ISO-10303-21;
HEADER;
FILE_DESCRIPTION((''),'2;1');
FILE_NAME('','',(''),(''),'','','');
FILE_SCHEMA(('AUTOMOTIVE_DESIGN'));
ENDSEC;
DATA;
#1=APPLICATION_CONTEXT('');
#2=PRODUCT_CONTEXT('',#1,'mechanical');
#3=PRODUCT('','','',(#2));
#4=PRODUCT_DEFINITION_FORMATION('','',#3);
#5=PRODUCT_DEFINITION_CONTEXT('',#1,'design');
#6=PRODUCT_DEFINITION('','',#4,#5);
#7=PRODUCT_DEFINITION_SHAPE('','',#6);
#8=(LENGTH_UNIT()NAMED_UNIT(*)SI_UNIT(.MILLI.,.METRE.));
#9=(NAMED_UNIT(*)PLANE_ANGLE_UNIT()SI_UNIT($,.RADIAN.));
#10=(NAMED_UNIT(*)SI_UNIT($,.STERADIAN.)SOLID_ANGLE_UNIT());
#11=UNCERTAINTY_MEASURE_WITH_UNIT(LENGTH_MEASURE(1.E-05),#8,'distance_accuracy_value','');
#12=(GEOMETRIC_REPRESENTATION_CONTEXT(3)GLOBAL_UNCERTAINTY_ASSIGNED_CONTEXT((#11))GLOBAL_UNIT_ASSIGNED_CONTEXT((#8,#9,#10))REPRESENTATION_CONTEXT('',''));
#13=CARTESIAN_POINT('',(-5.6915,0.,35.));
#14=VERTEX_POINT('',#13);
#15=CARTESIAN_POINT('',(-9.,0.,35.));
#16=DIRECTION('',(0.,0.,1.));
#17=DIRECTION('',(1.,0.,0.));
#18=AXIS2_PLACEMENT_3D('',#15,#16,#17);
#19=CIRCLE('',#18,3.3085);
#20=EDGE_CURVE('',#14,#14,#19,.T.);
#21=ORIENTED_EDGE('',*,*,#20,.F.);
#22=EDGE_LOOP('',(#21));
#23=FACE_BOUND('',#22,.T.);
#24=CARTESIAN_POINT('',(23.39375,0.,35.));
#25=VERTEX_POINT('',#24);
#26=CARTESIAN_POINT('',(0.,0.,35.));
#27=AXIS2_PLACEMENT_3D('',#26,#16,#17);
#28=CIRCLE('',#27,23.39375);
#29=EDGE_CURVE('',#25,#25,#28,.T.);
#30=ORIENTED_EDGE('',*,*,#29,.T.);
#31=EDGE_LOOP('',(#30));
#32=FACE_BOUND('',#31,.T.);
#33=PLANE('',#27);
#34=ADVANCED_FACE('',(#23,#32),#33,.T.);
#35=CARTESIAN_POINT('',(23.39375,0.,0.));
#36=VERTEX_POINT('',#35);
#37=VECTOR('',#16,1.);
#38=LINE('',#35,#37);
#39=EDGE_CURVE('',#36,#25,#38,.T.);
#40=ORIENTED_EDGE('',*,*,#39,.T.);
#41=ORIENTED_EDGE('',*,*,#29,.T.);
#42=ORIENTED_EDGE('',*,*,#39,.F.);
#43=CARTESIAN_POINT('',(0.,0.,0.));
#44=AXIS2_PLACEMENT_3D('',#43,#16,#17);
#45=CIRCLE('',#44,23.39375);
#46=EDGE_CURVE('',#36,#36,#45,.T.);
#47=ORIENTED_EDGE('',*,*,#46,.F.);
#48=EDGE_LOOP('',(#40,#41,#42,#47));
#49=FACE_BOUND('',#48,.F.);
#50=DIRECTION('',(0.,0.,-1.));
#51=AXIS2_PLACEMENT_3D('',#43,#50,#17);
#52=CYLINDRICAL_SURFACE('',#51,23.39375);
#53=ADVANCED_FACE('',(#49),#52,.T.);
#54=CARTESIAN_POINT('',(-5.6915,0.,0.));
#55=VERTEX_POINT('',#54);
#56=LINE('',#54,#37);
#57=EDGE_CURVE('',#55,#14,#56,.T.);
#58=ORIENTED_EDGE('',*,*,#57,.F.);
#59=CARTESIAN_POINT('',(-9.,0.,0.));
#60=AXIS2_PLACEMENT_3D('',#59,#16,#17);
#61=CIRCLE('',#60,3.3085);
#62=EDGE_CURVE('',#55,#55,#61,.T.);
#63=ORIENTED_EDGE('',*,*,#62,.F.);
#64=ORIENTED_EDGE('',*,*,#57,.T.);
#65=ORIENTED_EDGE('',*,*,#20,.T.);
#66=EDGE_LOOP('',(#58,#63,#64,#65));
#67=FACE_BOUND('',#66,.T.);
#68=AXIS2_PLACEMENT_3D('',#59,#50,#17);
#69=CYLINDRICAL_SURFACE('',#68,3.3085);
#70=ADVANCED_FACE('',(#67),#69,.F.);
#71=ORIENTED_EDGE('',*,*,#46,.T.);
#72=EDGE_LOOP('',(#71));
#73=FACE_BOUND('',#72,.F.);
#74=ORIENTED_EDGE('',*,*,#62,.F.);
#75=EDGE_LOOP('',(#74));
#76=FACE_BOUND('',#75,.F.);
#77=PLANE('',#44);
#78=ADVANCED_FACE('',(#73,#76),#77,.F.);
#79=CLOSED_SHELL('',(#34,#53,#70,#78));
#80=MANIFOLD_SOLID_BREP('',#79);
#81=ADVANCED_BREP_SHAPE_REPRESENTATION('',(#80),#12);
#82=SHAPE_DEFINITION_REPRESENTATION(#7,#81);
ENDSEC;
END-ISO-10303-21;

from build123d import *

# Parameters (mm, degrees)
SKETCH11_R           = 23.39375
SKETCH11_R_2         = 3.3085
BOSS_EXTRUDE13_DEPTH = 35


with BuildPart() as part:
    # Sketch11 → Boss-Extrude13 (new body)
    with BuildSketch(Plane.XY):
        Circle(SKETCH11_R)
        with Locations((-9, 0)):
            Circle(SKETCH11_R_2, mode=Mode.SUBTRACT)
    extrude(amount=BOSS_EXTRUDE13_DEPTH)


solid = part.part
